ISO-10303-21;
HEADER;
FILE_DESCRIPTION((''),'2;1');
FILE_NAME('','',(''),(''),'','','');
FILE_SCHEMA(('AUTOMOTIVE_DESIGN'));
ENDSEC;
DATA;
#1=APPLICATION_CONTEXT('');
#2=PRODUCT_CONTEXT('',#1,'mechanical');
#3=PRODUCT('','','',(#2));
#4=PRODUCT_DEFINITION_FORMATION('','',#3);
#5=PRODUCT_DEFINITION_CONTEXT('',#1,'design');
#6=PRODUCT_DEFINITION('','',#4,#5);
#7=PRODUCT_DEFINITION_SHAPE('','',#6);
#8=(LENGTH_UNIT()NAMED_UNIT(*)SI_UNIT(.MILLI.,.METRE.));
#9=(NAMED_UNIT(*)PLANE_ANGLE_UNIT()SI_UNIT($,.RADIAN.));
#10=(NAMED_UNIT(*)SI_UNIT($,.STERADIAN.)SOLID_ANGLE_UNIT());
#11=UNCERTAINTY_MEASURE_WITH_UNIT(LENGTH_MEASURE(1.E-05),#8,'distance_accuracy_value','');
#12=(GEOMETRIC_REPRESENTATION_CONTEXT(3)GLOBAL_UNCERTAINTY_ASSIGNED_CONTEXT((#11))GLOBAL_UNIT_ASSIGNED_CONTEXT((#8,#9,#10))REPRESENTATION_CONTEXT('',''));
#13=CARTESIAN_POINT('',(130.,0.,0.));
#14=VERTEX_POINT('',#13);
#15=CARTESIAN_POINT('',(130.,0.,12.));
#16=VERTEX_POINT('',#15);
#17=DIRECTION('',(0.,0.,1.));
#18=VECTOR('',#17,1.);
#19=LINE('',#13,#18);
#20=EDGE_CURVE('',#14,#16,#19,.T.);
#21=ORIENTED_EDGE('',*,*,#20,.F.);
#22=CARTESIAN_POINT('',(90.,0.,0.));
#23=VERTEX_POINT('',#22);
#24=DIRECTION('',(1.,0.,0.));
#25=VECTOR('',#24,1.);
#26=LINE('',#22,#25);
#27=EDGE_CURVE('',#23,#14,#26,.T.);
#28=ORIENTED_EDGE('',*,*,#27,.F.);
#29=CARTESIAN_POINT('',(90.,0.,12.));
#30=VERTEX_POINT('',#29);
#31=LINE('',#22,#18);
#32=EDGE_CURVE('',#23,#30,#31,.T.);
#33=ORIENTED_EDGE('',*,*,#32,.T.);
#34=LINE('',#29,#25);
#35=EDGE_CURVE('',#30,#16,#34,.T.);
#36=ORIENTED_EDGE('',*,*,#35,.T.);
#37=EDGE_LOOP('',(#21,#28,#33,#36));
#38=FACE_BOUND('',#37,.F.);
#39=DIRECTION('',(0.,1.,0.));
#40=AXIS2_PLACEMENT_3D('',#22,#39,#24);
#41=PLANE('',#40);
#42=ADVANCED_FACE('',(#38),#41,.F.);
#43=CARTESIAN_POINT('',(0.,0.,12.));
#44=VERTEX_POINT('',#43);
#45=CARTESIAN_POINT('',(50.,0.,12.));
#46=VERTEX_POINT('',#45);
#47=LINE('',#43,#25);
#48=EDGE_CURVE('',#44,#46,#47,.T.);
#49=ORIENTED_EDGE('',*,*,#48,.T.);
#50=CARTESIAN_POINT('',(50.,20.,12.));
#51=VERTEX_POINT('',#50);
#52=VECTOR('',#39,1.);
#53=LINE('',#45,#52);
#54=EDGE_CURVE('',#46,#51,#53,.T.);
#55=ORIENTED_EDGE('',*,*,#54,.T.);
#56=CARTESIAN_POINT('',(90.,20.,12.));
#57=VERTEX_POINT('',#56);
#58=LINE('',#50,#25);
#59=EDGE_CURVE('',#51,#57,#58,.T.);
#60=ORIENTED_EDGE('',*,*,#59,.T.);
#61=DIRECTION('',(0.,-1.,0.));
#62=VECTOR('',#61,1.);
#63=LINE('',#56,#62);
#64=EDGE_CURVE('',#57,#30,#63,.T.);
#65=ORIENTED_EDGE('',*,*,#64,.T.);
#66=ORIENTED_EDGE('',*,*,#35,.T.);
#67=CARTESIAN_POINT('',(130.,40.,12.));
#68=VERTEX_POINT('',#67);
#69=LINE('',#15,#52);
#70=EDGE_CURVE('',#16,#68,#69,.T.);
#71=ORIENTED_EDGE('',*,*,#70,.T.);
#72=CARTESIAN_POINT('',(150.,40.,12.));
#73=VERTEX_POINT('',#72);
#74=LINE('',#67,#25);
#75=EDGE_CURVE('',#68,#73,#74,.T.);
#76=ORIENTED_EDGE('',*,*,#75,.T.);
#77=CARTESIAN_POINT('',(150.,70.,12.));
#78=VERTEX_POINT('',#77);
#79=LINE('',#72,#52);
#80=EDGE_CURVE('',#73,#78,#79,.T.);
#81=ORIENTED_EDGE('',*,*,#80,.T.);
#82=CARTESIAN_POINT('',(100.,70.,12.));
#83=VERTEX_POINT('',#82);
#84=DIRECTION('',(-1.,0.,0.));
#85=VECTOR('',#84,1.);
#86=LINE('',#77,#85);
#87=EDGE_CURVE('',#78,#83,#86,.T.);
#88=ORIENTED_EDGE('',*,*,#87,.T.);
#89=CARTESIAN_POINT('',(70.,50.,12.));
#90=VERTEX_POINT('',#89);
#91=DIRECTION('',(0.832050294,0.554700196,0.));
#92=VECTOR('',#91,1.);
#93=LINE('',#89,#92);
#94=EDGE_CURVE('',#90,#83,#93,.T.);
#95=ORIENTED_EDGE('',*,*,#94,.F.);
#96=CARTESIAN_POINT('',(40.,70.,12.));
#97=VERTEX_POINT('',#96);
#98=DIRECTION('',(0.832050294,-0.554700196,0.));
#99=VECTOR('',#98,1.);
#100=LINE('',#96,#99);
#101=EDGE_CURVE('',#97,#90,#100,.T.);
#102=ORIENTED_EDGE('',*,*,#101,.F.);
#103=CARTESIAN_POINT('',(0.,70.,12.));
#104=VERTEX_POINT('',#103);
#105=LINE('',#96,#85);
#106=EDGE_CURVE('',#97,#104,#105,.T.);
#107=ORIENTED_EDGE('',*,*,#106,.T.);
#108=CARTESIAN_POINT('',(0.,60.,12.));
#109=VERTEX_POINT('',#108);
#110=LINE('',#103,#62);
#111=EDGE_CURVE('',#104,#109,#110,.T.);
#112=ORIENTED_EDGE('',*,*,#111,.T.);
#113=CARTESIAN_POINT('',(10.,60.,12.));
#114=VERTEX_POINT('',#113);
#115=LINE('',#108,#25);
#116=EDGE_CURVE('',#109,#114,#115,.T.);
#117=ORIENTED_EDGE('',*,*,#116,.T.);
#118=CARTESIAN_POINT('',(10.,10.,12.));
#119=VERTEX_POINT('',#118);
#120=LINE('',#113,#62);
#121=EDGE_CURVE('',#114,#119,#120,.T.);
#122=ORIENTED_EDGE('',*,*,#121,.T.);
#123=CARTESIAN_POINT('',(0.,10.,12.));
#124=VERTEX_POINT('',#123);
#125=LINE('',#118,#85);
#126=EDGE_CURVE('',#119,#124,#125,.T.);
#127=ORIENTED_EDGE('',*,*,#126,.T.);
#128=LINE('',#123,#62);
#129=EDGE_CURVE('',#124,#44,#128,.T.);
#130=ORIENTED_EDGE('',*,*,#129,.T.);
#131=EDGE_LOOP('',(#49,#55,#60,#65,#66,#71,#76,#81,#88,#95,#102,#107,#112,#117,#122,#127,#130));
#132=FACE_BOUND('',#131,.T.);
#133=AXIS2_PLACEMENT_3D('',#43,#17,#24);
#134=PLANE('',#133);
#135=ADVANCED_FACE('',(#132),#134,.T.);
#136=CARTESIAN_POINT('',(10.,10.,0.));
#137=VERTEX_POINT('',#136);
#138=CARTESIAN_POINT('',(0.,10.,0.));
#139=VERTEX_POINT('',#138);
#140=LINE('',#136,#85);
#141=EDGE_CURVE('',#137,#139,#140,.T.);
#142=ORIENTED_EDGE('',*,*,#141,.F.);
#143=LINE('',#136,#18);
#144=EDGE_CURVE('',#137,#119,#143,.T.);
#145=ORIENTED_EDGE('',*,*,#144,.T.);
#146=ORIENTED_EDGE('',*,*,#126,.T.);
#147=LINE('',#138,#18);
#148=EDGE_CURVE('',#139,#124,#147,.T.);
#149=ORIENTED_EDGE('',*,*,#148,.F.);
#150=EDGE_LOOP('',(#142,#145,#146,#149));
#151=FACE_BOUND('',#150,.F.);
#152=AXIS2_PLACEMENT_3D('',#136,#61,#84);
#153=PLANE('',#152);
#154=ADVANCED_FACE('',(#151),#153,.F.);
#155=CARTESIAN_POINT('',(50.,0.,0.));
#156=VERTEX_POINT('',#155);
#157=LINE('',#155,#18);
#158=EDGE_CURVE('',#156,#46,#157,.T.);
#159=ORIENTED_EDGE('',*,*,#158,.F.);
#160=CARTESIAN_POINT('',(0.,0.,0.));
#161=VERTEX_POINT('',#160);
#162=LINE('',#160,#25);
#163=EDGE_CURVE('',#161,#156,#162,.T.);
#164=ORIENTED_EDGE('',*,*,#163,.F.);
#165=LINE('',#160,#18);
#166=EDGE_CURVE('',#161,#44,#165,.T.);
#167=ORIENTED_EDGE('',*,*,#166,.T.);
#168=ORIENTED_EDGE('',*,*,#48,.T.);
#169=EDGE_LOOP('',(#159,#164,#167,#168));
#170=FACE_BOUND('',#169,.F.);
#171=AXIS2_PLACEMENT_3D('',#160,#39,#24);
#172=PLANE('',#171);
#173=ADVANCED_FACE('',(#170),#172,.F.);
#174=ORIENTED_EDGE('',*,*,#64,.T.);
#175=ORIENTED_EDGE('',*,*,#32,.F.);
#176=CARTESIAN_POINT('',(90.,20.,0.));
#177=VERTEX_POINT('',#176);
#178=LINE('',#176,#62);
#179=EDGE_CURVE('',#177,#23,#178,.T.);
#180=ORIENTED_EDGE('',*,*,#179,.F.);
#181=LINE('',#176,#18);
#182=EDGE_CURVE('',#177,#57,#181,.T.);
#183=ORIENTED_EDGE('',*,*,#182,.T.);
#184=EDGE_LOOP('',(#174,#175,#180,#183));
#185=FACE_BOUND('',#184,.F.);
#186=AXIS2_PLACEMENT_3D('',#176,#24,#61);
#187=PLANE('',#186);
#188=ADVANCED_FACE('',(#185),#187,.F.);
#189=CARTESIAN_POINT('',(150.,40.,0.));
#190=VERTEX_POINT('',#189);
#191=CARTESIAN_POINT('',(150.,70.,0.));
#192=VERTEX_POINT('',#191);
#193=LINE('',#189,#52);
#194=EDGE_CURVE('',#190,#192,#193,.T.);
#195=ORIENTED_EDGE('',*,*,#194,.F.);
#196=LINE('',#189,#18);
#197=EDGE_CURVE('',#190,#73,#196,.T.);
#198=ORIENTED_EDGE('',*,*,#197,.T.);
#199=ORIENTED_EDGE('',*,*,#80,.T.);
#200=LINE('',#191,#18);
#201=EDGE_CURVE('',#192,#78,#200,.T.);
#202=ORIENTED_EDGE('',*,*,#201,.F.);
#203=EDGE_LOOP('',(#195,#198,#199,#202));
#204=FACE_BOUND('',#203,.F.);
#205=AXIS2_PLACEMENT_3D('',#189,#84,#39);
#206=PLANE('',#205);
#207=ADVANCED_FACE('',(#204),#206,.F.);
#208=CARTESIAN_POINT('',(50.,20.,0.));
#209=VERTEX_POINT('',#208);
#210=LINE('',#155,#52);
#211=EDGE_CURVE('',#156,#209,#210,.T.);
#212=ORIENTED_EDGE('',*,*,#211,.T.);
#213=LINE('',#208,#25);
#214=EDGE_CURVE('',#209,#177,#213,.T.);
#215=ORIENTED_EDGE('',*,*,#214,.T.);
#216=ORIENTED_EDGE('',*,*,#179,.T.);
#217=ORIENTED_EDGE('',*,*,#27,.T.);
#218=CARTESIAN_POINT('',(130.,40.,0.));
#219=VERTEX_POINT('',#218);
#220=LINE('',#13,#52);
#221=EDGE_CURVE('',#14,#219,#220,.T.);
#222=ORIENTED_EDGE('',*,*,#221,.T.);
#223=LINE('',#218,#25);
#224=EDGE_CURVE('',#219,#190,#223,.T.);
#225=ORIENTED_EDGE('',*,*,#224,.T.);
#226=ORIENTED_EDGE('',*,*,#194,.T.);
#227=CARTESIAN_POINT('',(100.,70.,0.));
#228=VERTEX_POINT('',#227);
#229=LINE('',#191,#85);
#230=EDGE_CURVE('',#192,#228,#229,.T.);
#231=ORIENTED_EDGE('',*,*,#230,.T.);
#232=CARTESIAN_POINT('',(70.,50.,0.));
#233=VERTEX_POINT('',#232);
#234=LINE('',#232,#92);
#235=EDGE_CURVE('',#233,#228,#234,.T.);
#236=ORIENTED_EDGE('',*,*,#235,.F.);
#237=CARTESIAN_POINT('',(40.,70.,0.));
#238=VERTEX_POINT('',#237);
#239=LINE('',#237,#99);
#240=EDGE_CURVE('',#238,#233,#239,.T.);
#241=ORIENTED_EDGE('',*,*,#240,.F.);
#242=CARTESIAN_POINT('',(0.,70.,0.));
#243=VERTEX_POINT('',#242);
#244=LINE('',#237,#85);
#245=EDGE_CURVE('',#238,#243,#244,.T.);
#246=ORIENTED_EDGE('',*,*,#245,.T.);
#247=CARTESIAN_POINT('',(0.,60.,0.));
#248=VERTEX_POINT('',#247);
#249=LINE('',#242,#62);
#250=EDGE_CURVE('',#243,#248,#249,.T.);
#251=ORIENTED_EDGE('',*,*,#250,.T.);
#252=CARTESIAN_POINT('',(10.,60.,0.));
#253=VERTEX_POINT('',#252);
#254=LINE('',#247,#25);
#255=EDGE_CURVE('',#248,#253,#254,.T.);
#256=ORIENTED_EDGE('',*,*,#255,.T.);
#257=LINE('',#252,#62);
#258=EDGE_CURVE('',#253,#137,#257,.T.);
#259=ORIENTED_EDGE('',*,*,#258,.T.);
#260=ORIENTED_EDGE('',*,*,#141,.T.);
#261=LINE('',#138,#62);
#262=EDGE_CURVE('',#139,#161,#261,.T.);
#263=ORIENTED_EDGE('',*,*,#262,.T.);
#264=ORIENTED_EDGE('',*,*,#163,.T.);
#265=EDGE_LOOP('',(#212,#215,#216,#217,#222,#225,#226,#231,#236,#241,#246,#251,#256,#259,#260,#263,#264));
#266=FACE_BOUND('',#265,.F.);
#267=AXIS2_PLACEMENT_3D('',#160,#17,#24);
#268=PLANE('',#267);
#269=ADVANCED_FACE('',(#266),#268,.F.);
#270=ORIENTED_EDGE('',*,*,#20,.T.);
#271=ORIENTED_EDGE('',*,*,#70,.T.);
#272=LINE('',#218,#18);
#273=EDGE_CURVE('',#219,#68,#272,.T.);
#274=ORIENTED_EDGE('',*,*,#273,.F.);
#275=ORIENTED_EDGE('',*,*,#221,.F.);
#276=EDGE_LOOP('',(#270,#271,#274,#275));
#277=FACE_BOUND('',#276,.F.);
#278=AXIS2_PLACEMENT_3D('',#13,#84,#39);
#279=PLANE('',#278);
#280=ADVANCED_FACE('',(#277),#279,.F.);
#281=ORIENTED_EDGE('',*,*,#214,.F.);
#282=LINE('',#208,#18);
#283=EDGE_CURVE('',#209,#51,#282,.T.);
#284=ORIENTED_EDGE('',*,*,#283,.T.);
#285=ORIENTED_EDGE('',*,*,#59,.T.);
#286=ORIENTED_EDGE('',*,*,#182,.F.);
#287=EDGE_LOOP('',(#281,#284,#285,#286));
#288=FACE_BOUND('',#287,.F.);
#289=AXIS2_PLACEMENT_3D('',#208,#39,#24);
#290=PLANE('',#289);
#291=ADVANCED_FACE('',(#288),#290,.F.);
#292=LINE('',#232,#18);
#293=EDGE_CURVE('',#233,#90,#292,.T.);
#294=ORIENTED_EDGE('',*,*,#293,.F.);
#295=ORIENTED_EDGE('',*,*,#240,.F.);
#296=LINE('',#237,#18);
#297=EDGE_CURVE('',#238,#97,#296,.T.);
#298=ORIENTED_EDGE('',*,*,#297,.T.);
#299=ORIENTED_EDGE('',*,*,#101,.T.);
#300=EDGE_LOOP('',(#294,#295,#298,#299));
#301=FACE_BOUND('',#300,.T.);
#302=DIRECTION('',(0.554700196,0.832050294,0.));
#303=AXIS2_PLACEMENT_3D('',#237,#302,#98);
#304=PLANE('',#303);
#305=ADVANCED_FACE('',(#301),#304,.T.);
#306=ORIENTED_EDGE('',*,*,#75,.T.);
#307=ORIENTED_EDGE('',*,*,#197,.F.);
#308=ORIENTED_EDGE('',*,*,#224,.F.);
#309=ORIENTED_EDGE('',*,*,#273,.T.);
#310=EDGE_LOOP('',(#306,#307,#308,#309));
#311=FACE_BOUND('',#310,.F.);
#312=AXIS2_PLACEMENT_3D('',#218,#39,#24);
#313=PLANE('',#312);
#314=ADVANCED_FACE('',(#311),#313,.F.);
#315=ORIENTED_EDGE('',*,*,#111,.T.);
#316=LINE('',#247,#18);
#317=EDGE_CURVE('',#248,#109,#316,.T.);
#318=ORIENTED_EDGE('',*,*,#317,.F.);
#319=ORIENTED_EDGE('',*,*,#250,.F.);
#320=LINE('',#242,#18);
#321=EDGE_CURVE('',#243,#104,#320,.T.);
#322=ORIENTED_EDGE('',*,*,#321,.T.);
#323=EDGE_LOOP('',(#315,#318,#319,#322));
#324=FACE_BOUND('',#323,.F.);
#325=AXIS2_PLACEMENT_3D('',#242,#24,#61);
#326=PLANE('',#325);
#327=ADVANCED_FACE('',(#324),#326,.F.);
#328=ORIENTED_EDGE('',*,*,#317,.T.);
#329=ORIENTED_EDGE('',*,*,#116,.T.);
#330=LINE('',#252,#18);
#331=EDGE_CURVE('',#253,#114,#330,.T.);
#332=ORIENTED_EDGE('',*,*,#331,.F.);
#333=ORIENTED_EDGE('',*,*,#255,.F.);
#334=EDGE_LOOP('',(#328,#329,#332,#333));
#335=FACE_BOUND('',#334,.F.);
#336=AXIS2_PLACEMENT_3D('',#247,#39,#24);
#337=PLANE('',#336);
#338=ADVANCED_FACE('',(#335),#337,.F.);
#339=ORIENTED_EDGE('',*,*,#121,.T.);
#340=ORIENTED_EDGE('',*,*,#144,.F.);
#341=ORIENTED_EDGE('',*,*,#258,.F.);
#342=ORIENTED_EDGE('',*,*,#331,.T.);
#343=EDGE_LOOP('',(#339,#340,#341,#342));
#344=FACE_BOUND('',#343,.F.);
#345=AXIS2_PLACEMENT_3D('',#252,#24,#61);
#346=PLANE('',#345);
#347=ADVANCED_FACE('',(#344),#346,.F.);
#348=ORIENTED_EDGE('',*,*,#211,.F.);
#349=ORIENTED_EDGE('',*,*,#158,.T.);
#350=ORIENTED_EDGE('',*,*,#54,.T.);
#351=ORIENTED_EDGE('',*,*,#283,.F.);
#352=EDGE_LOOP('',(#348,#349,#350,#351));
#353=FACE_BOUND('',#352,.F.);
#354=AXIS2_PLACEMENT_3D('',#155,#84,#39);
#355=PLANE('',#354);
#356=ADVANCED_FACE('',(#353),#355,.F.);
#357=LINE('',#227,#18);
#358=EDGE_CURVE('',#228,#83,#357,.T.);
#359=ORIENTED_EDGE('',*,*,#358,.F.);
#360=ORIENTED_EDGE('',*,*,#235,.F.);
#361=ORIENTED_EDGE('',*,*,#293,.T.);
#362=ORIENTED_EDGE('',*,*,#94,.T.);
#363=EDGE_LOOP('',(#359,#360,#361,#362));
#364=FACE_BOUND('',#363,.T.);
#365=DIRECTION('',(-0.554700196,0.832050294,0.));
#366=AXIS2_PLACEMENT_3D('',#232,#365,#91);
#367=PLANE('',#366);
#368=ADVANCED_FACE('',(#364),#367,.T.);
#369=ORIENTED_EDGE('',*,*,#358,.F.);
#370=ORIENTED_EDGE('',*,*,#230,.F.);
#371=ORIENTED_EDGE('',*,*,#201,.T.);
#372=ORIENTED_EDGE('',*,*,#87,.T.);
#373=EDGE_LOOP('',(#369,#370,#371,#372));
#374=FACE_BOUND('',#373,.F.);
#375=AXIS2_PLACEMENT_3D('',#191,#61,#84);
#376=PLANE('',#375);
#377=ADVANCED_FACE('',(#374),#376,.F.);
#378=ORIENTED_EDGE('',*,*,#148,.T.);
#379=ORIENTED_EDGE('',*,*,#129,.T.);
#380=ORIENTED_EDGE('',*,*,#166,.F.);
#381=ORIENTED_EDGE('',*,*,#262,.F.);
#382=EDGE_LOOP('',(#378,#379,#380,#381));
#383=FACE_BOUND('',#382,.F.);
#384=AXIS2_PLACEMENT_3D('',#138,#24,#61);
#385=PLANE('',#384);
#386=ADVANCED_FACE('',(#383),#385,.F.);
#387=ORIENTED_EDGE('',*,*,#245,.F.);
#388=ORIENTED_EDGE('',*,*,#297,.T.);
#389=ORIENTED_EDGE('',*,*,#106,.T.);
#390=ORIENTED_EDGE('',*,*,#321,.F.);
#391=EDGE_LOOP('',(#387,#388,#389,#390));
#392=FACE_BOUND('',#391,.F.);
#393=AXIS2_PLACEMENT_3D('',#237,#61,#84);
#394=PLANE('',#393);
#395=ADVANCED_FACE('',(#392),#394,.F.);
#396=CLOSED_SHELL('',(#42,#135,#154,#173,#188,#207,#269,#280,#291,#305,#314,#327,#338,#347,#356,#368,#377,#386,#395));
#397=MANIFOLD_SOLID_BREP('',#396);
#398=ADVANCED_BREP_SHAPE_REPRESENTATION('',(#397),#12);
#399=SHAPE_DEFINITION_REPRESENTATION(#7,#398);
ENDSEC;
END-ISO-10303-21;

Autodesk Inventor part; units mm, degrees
ref_plane "YZ Plane" through (0, 0, 0) normal (1, 0, 0) x (0, 1, 0)
ref_plane "XZ Plane" through (0, 0, 0) normal (0, 1, 0) x (-1, 0, 0)
ref_plane "XY Plane" through (0, 0, 0) normal (0, 0, 1) x (1, 0, 0)
sketch "Sketch1" plane through (0, 0, 0) normal (0, 0, 1) x (1, 0, 0)
  line L0 (0, 0) -> (50, 0)
  line L1 (50, 0) -> (50, 20)
  line L2 (50, 20) -> (90, 20)
  line L3 (90, 20) -> (90, 0)
  line L4 (90, 0) -> (130, 0)
  line L5 (130, 0) -> (130, 40)
  line L6 (130, 40) -> (150, 40)
  line L7 (150, 40) -> (150, 70)
  line L8 (150, 70) -> (100, 70)
  line L9 (70, 50) -> (100, 70)
  line L10 (40, 70) -> (70, 50)
  line L11 (40, 70) -> (0, 70)
  line L12 (0, 70) -> (0, 60)
  line L13 (0, 60) -> (10, 60)
  line L14 (10, 60) -> (10, 10)
  line L15 (10, 10) -> (0, 10)
  line L16 (0, 10) -> (0, 0)
  dimension "d0" = 50
extrude "Extrusion1" add sketch "Sketch1" along normal blind 12
properties part number "P2-3"
